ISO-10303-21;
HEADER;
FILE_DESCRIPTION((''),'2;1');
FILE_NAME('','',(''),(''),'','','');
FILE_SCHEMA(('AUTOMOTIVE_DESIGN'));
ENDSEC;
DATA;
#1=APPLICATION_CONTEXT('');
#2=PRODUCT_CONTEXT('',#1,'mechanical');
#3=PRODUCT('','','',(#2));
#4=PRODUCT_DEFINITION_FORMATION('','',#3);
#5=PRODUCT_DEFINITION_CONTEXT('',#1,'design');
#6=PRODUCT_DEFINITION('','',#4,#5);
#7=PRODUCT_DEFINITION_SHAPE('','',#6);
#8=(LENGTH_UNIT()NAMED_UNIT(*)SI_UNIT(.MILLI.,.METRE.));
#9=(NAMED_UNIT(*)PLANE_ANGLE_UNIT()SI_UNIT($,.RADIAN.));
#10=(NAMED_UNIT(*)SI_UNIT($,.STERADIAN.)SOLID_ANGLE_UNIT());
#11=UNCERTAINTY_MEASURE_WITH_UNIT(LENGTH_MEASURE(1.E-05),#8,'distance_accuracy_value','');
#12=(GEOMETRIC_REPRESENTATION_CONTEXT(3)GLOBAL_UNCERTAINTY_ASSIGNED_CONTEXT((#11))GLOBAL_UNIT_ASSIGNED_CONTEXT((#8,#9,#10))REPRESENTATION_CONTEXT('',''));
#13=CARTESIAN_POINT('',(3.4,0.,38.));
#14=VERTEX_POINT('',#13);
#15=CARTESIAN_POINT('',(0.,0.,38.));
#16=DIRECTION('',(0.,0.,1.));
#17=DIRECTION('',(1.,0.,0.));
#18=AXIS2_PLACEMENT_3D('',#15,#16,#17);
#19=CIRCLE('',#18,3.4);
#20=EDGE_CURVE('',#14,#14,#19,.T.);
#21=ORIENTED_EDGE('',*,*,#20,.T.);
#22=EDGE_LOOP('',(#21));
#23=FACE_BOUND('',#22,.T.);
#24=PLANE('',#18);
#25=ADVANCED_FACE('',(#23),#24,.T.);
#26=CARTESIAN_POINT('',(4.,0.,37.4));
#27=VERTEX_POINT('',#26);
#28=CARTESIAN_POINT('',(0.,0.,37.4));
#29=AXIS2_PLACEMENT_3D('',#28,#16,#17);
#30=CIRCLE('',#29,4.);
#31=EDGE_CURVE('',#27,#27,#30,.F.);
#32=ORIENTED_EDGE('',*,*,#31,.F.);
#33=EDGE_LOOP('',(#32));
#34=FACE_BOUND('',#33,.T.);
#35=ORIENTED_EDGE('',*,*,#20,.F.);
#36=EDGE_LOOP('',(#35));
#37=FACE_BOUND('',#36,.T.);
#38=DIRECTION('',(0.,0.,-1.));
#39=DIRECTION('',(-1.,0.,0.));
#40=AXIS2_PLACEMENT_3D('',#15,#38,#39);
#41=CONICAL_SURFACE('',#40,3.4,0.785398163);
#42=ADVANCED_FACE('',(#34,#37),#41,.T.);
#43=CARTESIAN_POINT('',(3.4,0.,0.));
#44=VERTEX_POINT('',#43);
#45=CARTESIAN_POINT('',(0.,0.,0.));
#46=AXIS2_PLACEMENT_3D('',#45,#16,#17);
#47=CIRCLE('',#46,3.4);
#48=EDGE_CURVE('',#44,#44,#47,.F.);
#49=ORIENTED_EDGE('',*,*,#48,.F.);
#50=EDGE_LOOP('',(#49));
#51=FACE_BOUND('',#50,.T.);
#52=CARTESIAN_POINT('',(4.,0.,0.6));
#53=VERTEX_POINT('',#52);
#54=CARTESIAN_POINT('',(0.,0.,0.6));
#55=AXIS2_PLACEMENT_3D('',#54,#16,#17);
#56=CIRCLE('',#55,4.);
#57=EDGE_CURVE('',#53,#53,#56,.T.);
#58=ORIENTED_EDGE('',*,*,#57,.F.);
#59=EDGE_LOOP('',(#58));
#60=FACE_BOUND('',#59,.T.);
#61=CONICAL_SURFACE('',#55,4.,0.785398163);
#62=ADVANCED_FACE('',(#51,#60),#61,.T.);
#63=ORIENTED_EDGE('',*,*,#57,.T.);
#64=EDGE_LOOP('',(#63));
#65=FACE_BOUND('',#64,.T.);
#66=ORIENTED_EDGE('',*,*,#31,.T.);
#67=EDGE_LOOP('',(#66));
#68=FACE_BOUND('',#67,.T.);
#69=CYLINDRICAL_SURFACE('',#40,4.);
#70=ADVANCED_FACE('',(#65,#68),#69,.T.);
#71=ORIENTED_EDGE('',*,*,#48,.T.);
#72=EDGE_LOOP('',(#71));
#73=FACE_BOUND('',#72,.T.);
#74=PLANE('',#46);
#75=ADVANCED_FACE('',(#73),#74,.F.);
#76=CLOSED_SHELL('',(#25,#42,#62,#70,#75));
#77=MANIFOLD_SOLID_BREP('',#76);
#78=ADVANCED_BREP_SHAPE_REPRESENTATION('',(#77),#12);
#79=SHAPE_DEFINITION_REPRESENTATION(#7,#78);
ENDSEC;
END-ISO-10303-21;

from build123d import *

# Parameters (mm, degrees)
SKETCH1_R           = 4
BOSS_EXTRUDE1_DEPTH = 38
CHAMFER1_SIZE       = 0.6


with BuildPart() as part:
    # Sketch1 → Boss-Extrude1 (new body)
    with BuildSketch(Plane.XY):
        Circle(SKETCH1_R)
    extrude(amount=BOSS_EXTRUDE1_DEPTH)

    # Chamfer1
    chamfer1_edges = [part.edges().sort_by_distance(p)[0] for p in [
        (-4, 0, 0),
        (-4, 0, 38),
    ]]
    chamfer(chamfer1_edges, length=CHAMFER1_SIZE)


solid = part.part
